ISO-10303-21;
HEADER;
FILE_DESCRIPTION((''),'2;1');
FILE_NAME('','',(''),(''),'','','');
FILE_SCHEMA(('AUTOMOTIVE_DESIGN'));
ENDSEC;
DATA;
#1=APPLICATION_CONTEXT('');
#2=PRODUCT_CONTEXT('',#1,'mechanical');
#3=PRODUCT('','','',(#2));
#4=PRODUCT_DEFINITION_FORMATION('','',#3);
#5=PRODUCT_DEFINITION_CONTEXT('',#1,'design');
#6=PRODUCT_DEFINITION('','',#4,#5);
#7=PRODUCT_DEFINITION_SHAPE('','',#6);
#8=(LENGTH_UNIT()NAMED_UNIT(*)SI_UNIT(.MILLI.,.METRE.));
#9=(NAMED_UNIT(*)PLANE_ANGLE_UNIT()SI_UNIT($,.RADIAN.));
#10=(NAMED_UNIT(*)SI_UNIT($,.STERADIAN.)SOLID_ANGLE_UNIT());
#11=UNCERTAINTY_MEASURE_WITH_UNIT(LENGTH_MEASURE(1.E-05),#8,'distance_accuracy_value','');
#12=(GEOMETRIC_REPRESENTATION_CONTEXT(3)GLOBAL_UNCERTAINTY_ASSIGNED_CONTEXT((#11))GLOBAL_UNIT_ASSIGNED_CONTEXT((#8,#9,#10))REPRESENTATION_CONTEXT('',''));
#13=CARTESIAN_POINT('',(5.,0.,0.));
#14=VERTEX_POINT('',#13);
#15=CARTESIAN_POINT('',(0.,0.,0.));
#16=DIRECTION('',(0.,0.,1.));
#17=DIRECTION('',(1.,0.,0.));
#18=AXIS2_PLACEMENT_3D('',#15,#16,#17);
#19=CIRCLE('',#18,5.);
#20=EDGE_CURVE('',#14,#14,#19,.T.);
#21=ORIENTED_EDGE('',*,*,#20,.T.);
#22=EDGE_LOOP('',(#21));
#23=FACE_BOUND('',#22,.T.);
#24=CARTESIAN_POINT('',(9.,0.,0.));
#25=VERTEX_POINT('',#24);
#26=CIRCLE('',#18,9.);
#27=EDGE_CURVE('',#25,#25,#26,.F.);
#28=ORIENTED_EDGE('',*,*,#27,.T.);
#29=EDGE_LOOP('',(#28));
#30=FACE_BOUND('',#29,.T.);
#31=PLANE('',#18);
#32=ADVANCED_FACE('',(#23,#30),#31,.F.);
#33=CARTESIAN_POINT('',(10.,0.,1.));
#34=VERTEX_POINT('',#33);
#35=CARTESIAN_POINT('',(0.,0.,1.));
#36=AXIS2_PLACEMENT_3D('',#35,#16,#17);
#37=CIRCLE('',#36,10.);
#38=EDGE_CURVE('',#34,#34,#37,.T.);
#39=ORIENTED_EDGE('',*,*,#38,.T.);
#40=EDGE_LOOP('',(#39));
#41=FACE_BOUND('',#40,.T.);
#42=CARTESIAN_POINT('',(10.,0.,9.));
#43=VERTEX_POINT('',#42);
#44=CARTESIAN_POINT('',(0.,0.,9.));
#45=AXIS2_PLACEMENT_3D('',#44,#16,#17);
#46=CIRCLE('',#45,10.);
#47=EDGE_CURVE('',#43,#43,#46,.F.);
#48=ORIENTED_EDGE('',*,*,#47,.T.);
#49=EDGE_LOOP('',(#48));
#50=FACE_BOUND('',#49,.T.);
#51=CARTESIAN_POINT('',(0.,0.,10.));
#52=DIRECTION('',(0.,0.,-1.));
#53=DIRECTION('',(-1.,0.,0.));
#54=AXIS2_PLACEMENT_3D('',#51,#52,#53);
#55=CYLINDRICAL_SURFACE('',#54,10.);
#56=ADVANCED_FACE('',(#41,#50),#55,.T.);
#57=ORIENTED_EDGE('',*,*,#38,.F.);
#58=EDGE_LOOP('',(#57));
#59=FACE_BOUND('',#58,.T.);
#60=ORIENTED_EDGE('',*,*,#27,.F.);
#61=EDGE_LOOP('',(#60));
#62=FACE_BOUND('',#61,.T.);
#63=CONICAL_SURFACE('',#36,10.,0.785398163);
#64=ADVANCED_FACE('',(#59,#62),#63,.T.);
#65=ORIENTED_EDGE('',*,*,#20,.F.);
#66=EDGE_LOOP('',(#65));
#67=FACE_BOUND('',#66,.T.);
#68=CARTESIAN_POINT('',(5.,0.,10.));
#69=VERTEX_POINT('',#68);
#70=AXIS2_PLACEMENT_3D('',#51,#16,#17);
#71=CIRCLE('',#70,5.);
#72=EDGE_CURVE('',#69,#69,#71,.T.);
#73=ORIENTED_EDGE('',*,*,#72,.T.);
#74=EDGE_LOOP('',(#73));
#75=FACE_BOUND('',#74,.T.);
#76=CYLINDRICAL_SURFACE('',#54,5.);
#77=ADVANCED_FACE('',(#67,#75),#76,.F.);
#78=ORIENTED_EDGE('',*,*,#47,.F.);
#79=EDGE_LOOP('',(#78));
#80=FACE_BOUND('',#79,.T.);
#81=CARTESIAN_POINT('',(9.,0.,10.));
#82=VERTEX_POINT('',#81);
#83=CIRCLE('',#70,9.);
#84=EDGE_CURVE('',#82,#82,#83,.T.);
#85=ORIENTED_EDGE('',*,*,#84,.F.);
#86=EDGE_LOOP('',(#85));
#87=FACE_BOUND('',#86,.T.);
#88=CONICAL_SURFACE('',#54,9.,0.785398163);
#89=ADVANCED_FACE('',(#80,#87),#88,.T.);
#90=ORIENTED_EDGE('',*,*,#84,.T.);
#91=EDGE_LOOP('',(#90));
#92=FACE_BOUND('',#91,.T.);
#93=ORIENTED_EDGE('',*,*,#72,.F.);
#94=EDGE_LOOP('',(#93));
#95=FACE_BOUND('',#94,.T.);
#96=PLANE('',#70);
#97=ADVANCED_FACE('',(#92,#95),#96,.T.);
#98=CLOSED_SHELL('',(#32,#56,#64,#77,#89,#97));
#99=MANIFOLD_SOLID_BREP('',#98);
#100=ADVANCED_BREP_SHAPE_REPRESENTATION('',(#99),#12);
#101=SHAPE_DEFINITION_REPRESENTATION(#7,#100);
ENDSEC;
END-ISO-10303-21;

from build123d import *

# Parameters (mm, degrees)
SKETCH1_R           = 10
SKETCH1_R_2         = 5
BOSS_EXTRUDE1_DEPTH = 10
CHAMFER1_SIZE       = 1


with BuildPart() as part:
    # Sketch1 → Boss-Extrude1 (new body)
    with BuildSketch(Plane.XY):
        Circle(SKETCH1_R)
        Circle(SKETCH1_R_2, mode=Mode.SUBTRACT)
    extrude(amount=BOSS_EXTRUDE1_DEPTH)

    # Chamfer1
    chamfer1_edges = [part.edges().sort_by_distance(p)[0] for p in [
        (-10, 0, 0),
        (-10, 0, 10),
    ]]
    chamfer(chamfer1_edges, length=CHAMFER1_SIZE)


solid = part.part
